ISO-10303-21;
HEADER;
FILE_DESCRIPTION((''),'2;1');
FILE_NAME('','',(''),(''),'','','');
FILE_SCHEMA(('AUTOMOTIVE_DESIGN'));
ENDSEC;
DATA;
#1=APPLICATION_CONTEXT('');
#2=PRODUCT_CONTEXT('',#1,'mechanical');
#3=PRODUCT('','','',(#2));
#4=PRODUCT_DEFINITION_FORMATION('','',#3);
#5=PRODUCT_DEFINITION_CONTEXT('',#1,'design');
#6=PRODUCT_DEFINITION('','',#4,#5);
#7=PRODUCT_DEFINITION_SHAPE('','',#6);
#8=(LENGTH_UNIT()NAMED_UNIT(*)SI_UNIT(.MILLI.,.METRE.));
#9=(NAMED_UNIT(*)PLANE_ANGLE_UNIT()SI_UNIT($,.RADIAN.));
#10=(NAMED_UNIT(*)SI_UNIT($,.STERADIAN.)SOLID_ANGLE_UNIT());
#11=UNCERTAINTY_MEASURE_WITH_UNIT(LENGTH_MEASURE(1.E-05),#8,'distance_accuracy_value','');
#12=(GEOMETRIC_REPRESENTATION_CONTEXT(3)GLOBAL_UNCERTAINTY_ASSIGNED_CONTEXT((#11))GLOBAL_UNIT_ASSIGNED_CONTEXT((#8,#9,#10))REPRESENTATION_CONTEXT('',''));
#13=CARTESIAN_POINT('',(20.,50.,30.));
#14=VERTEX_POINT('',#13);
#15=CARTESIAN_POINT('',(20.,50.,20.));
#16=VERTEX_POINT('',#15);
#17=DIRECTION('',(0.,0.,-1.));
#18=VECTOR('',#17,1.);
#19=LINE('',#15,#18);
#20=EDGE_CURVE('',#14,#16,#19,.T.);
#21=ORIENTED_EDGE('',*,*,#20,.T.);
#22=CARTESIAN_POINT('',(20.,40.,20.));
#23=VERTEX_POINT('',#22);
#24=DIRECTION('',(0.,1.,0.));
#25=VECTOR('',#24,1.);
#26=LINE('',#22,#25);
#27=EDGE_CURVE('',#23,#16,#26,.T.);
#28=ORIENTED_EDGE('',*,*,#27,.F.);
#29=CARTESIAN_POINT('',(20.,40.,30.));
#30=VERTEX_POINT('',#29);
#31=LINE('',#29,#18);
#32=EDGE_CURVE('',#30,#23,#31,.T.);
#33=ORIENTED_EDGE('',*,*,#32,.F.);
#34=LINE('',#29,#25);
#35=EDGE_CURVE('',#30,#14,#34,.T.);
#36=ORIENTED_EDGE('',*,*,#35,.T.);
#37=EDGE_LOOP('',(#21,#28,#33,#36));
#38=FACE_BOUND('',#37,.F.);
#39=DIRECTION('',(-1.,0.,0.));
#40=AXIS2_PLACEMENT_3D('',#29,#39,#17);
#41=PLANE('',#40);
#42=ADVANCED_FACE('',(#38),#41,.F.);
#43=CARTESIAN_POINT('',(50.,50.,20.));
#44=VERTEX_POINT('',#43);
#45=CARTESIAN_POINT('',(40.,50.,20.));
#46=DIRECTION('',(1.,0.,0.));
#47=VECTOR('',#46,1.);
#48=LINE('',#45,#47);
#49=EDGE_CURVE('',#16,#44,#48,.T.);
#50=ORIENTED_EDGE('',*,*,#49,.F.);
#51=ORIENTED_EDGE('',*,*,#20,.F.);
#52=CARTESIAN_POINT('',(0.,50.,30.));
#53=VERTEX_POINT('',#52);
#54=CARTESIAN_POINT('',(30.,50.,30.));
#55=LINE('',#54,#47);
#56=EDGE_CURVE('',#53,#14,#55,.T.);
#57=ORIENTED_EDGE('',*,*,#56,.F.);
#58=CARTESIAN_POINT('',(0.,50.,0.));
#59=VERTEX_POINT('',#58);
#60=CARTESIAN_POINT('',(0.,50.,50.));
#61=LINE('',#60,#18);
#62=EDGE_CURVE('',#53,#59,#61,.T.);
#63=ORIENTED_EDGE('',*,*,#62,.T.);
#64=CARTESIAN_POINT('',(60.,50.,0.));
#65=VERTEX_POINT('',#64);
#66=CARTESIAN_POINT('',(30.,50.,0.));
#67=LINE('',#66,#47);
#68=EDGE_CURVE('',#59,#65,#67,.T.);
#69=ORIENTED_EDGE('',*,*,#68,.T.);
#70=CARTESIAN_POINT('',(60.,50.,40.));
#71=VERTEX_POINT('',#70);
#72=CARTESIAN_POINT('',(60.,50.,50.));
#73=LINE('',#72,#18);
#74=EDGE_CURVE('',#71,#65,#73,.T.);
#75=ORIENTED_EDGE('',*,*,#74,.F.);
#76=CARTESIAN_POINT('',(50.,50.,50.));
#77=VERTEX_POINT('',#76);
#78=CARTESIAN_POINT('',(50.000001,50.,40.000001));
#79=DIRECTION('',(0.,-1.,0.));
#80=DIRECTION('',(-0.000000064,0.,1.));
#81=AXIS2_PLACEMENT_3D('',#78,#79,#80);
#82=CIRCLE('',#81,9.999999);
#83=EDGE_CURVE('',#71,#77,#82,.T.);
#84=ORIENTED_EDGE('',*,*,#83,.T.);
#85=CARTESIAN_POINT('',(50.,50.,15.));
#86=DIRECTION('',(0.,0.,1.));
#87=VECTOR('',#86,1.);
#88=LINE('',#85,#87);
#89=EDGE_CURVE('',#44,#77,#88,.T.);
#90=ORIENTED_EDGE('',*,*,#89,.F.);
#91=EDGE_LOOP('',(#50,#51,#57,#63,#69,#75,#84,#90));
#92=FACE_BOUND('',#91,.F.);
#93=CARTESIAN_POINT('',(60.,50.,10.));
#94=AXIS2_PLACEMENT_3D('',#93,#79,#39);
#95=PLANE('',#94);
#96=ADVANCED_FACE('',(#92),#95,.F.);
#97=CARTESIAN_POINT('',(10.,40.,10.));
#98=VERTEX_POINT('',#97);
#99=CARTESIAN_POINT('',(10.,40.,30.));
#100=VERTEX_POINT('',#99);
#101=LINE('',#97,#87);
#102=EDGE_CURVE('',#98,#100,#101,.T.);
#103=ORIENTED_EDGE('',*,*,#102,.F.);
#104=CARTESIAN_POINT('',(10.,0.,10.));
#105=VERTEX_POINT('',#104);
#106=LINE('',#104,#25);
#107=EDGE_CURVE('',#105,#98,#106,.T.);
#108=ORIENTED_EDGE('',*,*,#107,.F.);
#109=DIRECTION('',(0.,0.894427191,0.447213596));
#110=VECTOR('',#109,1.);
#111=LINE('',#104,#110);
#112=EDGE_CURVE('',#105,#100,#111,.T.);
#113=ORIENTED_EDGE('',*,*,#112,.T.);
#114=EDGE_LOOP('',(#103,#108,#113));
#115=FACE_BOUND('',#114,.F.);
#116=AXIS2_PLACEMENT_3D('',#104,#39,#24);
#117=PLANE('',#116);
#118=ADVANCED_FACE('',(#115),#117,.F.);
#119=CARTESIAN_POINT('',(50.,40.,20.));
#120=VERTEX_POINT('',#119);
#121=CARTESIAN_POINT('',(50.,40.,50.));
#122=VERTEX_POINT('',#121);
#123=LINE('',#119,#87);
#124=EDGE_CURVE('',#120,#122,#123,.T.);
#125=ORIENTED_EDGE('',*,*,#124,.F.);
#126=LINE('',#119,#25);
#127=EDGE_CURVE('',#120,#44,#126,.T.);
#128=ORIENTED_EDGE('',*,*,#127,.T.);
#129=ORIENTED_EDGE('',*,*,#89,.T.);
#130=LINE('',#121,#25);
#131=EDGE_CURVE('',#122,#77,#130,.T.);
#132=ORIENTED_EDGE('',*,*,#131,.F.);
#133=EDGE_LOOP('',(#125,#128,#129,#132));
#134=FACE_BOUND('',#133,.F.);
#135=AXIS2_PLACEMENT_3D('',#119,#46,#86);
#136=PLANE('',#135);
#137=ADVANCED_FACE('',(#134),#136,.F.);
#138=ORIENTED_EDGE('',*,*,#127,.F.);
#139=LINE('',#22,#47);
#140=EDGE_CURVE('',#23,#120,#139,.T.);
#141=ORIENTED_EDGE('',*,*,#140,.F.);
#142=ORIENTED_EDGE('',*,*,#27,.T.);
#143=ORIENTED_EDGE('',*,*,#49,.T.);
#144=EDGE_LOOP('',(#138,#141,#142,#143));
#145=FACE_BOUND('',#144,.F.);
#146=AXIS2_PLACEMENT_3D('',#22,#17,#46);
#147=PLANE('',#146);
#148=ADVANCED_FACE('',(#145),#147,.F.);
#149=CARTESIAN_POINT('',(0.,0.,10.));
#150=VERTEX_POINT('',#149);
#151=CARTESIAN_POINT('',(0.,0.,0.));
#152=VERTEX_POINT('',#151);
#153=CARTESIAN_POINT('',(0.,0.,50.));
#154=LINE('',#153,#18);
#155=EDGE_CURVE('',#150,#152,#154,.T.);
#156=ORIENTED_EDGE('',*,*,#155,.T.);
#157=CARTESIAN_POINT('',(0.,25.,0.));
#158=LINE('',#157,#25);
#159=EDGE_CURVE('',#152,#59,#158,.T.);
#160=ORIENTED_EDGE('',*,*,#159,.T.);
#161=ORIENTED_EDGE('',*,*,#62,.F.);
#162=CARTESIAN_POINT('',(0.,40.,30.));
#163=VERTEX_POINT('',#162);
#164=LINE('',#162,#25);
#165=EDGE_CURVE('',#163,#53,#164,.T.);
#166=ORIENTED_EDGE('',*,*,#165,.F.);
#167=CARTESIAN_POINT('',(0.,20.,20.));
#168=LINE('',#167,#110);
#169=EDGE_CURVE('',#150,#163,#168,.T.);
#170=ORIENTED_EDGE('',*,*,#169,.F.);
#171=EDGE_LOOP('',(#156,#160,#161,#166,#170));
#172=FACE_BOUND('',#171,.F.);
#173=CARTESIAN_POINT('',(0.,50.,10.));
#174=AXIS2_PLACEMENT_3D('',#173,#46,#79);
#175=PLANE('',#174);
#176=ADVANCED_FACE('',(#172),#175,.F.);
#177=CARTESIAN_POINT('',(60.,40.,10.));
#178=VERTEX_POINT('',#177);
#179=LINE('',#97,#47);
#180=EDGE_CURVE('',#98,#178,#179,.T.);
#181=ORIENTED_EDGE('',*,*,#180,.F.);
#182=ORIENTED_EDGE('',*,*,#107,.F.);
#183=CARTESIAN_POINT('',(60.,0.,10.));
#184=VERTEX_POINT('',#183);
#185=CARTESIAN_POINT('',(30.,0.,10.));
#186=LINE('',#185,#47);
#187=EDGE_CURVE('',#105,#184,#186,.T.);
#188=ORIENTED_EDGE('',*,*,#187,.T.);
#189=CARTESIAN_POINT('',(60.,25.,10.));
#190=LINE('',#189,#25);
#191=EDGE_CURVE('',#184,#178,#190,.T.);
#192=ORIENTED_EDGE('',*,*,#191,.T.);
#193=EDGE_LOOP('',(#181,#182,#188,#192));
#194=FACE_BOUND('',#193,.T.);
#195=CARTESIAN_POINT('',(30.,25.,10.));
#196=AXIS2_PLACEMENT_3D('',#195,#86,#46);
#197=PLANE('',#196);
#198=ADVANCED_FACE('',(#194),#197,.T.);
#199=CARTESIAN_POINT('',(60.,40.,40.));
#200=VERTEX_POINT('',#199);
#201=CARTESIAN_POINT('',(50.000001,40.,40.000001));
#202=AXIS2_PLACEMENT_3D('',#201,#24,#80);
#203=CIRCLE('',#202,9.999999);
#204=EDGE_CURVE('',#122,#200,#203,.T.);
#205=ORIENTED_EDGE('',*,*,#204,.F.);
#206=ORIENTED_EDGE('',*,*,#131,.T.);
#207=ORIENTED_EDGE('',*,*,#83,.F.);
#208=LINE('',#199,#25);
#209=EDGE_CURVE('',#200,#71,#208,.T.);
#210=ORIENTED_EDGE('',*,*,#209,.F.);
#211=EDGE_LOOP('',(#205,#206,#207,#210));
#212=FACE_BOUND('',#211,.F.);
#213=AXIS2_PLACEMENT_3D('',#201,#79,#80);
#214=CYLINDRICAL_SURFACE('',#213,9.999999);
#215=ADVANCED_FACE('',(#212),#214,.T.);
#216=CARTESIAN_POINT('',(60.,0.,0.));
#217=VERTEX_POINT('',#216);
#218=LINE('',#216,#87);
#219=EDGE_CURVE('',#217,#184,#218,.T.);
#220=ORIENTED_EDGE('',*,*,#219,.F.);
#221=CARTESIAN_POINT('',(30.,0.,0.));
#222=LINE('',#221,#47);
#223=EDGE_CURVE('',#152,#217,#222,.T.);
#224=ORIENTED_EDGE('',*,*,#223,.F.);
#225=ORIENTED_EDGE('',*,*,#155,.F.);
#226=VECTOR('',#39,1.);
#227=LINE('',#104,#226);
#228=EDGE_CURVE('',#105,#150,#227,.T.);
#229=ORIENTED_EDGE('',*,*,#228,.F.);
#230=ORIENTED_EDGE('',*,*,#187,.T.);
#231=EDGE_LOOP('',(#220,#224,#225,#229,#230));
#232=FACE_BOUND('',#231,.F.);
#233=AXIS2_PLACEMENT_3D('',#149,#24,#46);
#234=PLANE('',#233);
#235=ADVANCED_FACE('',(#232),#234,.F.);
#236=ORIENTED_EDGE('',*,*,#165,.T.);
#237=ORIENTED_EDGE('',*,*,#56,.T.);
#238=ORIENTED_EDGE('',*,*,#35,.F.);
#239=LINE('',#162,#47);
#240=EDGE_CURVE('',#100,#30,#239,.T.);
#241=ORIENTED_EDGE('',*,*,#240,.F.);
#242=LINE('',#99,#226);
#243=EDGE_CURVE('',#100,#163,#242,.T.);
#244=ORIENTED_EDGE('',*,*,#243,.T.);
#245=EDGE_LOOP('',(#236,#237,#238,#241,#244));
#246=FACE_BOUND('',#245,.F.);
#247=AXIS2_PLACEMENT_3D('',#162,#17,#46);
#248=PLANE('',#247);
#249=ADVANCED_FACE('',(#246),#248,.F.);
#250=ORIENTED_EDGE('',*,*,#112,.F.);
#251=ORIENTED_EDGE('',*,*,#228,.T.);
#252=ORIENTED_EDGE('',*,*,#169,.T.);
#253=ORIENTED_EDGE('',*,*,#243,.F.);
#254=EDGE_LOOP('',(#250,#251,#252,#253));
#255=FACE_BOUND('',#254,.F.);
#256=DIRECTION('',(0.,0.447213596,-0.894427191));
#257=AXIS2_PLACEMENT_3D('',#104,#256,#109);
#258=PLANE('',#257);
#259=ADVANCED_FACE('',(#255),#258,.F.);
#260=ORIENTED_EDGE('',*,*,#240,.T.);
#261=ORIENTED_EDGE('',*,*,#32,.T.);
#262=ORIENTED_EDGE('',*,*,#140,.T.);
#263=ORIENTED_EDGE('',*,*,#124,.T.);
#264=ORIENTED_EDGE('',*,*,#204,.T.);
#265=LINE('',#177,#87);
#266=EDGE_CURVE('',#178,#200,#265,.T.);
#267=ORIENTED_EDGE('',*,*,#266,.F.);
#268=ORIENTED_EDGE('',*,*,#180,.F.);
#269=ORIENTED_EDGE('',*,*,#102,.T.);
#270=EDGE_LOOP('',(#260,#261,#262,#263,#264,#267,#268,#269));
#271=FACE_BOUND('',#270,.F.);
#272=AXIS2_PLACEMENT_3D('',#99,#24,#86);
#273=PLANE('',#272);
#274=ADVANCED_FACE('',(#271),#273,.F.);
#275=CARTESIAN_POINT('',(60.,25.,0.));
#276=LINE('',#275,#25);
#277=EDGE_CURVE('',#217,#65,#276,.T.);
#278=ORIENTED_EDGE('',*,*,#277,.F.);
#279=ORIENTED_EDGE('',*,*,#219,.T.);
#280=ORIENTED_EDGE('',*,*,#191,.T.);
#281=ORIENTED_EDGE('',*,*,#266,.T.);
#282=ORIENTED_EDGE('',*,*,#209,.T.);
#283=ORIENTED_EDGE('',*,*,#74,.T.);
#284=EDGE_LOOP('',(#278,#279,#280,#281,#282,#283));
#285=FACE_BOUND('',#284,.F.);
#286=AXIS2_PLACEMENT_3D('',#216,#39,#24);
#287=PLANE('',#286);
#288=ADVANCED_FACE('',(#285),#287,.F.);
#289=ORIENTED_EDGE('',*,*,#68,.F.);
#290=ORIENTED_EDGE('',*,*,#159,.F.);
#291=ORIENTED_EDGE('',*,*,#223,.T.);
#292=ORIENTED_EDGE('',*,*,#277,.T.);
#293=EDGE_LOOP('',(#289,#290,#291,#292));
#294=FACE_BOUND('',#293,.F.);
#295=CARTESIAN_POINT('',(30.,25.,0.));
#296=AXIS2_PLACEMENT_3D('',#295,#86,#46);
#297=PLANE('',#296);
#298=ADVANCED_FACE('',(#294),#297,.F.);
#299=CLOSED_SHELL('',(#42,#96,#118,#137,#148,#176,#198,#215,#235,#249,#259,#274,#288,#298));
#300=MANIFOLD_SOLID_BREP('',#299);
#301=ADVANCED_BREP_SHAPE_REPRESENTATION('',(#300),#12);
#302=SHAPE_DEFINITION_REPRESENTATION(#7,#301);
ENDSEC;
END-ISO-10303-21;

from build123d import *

# Parameters (mm, degrees)
F0_W     = 60
F0_H     = 50
F1_DEPTH = 10
F3_DEPTH = 40
F5_DEPTH = 10.001
F7_DEPTH = 10.001


with BuildPart() as f1:
    # F0 (on Top) → F1 (new body)
    with BuildSketch(Plane.XY):
        with Locations((30, 25)):
            Rectangle(F0_W, F0_H)
    extrude(amount=F1_DEPTH)

    # F2 (on face) → F3 (join)
    with BuildSketch(Plane.XY.offset(10)):
        Polygon((0, 0), (10, 0), (10, 40), (60, 40), (60, 50), (0, 50), align=None)
    extrude(amount=F3_DEPTH)

    # F4 (on face) → F5 (cut, through all)
    with BuildSketch(Plane.YZ.offset(10)):
        Polygon((0, 10), (40, 30), (40, 50), (0, 50), align=None)
    extrude(amount=-F5_DEPTH, mode=Mode.SUBTRACT)

    # F6 (on face) → F7 (cut, through all)
    with BuildSketch(Plane.XZ.offset(-40)):
        with BuildLine():
            Line((60, 50), (50, 50))
            ThreePointArc((50, 50), (57.071068, 47.071068), (60, 40))
            Line((60, 40), (60, 50))
        make_face()
        Polygon((0, 50), (0, 30), (10, 30), (20, 30), (20, 20), (50, 20), (50, 50), align=None)
    extrude(amount=-F7_DEPTH, mode=Mode.SUBTRACT)


solid = f1.part
